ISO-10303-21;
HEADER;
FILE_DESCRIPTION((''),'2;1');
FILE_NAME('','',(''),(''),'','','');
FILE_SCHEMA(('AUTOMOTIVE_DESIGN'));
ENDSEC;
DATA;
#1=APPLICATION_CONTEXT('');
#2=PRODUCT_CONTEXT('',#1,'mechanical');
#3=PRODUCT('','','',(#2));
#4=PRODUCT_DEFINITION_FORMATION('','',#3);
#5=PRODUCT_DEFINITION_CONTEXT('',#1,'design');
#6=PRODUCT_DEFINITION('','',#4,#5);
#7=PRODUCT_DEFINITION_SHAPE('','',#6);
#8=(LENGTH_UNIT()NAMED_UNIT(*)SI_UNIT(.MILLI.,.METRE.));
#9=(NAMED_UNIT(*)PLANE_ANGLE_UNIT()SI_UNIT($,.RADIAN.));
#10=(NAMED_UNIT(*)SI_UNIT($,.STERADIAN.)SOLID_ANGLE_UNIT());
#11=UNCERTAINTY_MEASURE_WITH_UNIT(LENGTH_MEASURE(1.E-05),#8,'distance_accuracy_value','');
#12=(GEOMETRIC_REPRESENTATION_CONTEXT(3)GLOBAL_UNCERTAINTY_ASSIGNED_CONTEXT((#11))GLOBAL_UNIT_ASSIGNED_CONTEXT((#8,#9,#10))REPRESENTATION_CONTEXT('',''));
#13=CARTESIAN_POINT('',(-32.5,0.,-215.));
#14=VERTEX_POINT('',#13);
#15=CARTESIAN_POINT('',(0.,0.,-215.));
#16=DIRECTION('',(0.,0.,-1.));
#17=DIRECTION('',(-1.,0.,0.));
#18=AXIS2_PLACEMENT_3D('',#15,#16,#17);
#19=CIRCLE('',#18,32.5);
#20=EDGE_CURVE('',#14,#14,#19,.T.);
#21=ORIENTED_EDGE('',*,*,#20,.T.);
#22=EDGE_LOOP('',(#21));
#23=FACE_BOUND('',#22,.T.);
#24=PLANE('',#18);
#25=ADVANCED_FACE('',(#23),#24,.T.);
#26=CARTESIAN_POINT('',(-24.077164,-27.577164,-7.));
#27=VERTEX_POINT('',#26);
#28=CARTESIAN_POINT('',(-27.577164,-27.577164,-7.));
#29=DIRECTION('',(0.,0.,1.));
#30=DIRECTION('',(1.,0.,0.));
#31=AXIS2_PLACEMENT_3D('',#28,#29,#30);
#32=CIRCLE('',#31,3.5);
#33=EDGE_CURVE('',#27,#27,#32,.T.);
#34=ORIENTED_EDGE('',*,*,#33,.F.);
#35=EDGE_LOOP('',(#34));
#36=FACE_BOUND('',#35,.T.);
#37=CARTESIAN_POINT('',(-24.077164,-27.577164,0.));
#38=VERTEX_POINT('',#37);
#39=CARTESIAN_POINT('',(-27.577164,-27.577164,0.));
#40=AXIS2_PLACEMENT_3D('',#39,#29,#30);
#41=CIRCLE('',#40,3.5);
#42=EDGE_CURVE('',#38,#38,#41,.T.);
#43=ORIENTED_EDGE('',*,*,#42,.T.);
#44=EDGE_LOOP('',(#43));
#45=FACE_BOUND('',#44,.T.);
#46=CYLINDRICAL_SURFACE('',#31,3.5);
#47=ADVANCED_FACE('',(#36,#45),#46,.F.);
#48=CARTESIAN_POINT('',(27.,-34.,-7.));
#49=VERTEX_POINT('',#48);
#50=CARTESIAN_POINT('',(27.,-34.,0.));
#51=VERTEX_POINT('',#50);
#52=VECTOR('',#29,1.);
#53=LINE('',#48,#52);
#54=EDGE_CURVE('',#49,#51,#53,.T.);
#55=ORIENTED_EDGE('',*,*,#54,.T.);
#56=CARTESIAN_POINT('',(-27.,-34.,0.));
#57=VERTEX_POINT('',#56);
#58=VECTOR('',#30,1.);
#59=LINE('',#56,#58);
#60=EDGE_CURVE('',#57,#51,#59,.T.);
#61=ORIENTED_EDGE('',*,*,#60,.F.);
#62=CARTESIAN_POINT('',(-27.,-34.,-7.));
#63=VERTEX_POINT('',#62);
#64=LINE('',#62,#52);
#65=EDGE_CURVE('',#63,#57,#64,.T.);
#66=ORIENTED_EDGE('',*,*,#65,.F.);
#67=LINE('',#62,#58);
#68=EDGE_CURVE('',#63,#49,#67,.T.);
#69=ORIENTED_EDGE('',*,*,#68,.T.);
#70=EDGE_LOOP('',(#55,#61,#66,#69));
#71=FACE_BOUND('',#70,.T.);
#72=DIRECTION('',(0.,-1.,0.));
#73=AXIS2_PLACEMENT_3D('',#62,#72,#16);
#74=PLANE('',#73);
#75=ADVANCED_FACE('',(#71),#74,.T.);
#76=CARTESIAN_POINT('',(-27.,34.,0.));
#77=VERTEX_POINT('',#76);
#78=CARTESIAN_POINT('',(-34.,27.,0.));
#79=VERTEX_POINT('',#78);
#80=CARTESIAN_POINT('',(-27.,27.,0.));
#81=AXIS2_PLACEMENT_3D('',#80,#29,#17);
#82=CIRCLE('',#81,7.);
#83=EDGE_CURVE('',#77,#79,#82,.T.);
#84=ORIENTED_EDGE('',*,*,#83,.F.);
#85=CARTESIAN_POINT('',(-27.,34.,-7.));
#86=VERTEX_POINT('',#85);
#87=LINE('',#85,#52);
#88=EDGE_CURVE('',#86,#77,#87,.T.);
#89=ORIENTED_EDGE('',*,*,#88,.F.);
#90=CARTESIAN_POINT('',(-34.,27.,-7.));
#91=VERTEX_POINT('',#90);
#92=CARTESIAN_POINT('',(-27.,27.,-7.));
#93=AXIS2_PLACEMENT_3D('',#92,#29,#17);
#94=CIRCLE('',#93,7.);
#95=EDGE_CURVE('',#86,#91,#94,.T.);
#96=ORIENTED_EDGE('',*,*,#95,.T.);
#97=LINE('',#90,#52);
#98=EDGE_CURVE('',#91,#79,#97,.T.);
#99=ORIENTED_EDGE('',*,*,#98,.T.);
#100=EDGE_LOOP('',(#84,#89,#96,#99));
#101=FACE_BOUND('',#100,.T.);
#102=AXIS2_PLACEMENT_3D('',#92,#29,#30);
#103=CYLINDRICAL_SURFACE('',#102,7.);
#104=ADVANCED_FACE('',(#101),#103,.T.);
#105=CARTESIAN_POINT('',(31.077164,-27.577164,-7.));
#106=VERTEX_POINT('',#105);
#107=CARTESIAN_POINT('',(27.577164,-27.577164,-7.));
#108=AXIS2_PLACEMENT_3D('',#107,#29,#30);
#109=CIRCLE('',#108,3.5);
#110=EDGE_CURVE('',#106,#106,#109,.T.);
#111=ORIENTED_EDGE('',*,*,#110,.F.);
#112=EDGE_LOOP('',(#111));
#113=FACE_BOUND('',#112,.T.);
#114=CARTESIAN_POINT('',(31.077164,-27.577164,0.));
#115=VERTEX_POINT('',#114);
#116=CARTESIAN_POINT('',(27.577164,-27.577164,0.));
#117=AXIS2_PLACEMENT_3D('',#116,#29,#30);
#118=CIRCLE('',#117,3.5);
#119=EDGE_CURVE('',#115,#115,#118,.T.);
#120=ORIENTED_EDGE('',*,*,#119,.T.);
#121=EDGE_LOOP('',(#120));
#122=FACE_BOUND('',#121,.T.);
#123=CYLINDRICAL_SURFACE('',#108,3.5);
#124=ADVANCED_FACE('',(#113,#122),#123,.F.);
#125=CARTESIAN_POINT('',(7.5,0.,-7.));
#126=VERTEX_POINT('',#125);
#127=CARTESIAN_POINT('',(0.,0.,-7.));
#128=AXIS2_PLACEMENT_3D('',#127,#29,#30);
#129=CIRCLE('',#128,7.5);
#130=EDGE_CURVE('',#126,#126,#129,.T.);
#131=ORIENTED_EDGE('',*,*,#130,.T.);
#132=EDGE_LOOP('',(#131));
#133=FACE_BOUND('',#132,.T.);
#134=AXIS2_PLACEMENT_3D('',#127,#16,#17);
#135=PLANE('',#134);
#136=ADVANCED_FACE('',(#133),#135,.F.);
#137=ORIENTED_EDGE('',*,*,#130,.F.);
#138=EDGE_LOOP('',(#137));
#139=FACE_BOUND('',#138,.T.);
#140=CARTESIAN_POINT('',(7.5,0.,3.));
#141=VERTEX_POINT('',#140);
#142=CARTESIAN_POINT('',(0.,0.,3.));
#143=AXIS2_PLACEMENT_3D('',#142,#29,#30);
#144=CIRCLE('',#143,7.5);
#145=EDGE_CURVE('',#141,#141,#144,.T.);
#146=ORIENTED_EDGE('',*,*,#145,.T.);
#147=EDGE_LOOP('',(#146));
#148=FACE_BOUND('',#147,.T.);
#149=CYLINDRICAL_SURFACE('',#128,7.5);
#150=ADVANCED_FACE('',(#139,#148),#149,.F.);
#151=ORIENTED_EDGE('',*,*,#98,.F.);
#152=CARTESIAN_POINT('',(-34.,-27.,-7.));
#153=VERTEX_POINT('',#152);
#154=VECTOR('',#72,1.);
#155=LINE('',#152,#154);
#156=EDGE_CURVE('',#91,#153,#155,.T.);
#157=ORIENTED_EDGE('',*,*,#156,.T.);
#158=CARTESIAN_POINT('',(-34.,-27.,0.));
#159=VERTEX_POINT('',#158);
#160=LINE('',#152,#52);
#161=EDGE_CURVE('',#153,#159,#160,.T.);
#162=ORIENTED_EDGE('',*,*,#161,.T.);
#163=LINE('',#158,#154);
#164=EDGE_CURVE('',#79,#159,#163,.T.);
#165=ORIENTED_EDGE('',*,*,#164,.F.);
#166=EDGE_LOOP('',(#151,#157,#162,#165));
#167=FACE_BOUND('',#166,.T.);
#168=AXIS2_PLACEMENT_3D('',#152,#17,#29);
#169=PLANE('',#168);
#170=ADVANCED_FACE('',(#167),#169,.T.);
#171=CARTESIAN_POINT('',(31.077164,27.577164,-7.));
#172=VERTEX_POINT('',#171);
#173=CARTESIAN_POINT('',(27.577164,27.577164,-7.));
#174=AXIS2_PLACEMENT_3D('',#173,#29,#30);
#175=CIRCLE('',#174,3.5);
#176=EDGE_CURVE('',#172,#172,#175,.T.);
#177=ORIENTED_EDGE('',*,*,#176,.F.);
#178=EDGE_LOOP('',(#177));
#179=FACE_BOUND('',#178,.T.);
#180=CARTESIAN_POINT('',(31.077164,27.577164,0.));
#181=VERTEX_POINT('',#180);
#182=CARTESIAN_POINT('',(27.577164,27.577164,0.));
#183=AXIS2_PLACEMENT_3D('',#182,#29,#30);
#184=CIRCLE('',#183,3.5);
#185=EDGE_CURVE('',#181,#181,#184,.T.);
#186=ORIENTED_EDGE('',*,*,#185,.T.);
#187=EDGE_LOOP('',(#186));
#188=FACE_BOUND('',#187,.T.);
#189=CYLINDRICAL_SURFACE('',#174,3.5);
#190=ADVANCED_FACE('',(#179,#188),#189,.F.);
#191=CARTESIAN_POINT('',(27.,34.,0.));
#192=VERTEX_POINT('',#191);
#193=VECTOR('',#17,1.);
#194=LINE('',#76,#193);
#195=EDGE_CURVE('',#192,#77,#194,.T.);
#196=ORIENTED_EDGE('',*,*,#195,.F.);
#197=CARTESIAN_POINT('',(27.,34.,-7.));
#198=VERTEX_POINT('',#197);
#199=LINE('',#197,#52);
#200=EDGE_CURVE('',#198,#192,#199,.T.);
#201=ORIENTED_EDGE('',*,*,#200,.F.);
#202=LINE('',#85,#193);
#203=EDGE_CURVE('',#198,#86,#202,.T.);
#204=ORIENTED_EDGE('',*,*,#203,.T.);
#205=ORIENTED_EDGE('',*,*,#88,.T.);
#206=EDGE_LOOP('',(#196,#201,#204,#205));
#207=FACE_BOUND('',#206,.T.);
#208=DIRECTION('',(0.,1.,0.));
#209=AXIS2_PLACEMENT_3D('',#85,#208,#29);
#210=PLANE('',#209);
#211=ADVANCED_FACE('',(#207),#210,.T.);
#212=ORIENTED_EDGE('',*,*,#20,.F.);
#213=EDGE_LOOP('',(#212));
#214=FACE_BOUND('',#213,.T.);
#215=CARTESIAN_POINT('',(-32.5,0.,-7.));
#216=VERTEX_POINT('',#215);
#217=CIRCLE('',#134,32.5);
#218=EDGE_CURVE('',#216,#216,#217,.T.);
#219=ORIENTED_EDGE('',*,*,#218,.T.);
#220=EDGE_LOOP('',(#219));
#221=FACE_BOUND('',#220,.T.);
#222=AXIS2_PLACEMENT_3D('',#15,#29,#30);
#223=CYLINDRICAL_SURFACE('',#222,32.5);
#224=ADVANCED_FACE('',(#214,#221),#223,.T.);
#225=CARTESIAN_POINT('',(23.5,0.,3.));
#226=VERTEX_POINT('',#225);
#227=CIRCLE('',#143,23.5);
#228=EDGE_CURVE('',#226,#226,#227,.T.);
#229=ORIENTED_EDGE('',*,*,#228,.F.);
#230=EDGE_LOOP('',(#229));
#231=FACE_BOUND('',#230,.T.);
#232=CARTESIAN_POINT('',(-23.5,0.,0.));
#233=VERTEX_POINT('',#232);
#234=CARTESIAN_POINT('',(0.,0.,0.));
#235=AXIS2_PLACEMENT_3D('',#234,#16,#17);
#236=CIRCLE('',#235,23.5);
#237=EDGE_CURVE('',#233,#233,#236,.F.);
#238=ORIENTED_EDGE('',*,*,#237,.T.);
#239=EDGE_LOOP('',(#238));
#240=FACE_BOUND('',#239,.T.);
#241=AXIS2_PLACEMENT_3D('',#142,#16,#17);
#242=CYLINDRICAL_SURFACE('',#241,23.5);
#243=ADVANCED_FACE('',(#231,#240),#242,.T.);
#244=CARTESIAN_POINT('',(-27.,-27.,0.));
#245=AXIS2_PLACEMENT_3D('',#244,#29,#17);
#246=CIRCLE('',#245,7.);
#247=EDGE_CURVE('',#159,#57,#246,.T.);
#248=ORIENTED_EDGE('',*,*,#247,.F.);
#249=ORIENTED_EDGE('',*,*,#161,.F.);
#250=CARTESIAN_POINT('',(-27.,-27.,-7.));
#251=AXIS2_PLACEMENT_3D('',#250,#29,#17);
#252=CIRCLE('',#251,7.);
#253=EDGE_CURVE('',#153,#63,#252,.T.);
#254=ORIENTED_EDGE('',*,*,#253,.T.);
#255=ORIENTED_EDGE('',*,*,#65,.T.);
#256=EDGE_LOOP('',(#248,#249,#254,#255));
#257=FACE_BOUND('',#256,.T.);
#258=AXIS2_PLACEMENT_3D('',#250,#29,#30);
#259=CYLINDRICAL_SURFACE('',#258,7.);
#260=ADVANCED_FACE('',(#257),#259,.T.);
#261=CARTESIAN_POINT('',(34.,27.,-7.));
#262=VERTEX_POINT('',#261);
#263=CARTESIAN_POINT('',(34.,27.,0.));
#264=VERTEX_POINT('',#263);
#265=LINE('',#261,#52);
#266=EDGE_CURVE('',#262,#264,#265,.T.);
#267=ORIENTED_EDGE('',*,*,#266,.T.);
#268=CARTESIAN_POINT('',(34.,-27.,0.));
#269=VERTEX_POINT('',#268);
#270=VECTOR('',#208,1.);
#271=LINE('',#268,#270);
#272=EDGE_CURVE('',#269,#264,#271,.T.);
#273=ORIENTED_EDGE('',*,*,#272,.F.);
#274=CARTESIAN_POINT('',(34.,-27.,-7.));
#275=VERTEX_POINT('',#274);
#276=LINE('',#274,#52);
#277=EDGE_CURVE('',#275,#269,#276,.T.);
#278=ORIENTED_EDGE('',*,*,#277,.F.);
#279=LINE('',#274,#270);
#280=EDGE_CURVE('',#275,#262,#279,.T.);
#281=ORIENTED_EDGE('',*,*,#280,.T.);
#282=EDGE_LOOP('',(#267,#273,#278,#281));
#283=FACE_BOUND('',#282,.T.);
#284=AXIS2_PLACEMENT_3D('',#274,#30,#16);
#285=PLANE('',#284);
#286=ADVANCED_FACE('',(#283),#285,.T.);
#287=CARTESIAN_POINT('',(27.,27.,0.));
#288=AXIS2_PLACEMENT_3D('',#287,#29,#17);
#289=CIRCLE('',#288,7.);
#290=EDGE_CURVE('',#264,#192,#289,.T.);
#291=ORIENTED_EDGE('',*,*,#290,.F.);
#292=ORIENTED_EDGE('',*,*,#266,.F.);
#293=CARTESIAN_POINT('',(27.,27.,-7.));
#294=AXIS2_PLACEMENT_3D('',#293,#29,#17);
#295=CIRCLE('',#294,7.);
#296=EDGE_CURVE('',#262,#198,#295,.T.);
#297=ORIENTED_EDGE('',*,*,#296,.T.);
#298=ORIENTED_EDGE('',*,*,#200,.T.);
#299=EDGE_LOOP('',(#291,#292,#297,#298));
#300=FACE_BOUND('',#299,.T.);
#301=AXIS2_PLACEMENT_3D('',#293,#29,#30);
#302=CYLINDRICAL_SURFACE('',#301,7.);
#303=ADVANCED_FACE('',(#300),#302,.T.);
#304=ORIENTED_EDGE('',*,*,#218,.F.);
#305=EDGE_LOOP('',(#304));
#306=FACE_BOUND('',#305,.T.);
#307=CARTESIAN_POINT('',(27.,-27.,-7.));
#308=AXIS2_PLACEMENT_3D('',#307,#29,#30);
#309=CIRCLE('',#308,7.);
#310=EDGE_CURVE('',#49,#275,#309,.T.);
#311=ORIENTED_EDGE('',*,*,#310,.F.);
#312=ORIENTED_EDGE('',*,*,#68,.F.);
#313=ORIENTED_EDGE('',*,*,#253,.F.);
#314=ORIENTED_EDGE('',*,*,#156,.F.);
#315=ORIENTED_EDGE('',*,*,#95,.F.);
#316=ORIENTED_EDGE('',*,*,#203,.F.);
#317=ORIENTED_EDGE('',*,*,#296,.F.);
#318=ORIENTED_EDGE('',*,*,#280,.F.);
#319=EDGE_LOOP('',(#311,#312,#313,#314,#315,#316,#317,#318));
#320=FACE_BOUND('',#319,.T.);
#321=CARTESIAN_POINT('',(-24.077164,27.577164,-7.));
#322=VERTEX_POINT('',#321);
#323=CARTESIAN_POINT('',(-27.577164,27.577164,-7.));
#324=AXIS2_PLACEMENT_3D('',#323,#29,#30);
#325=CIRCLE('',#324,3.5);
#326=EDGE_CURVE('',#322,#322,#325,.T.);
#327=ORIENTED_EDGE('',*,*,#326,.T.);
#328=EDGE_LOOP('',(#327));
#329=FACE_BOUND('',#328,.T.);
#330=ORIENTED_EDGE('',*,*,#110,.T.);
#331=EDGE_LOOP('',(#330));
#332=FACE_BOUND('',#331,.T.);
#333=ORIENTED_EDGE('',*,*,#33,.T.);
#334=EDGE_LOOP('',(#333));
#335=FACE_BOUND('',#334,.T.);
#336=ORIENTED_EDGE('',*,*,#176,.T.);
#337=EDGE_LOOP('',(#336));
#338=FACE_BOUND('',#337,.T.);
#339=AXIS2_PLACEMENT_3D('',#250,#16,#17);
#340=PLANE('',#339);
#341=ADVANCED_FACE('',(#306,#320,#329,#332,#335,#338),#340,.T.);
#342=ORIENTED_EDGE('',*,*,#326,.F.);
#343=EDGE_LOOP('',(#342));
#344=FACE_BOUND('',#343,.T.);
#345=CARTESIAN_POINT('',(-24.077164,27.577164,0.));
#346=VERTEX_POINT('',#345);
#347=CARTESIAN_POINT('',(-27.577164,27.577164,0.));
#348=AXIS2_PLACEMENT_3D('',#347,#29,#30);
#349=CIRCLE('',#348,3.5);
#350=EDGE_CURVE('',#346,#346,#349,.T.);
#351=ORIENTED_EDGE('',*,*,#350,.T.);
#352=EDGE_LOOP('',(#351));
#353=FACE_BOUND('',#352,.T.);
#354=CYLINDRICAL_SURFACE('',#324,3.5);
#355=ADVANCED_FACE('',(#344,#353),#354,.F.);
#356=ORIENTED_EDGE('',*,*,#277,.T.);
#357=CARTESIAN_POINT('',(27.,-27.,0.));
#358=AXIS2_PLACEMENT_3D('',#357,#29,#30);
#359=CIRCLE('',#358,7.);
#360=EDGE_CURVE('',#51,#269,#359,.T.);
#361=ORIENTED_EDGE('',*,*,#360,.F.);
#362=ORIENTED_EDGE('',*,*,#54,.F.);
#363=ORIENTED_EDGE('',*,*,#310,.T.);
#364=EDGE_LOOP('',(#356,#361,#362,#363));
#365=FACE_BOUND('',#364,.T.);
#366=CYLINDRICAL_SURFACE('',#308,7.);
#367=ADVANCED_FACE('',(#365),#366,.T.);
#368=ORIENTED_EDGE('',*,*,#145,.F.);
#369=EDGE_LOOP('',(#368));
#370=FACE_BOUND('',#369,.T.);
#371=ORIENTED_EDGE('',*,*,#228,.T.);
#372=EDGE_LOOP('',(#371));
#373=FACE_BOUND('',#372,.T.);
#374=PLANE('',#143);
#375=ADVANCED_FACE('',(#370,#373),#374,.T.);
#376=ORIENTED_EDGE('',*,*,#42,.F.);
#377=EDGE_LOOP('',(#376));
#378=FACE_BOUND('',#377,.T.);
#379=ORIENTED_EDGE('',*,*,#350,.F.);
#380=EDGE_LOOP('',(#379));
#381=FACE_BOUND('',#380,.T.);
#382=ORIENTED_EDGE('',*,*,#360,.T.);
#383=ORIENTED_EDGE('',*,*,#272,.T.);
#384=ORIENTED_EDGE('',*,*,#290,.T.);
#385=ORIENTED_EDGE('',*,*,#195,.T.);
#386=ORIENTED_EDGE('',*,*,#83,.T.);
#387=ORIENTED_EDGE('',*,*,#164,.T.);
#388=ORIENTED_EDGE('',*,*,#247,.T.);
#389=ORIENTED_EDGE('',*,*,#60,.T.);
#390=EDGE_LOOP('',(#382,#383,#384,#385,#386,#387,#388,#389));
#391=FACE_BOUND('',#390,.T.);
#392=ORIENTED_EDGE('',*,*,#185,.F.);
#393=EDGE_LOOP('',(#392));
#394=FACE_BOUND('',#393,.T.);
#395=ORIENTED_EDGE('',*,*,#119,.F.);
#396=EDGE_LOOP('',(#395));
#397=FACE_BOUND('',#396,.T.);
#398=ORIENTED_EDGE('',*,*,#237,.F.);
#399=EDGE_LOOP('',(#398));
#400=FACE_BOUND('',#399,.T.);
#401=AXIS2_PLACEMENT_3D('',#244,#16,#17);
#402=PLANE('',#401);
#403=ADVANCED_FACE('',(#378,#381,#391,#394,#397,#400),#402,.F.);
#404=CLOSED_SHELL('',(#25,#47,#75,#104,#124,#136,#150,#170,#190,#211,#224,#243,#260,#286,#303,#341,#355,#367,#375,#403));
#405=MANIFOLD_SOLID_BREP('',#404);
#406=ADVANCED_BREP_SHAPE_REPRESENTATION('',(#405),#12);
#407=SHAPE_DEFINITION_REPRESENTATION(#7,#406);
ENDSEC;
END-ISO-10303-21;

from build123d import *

# Parameters (mm, degrees)
SKETCH1_R           = 7.5
SKETCH1_R_2         = 3.5
BOSS_EXTRUDE1_DEPTH = 7
SKETCH2_R           = 32.5
BOSS_EXTRUDE2_DEPTH = 208
BOSS_EXTRUDE3_START = 3
SKETCH3_R           = 23.5
SKETCH3_R_2         = 7.5
BOSS_EXTRUDE3_DEPTH = 3


with BuildPart() as part:
    # Sketch1 → Boss-Extrude1 (new body)
    with BuildSketch(Plane.XY):
        with BuildLine():
            Line((-27, -34), (27, -34))
            ThreePointArc((27, -34), (31.949747468, -31.949747468), (34, -27))
            Line((34, -27), (34, 27))
            ThreePointArc((34, 27), (31.949747468, 31.949747468), (27, 34))
            Line((27, 34), (-27, 34))
            ThreePointArc((-27, 34), (-31.949747468, 31.949747468), (-34, 27))
            Line((-34, 27), (-34, -27))
            ThreePointArc((-34, -27), (-31.949747468, -31.949747468), (-27, -34))
        make_face()
        Circle(SKETCH1_R, mode=Mode.SUBTRACT)
        with Locations((27.577164466, 27.577164466)):
            Circle(SKETCH1_R_2, mode=Mode.SUBTRACT)
        with Locations((-27.577164466, 27.577164466)):
            Circle(SKETCH1_R_2, mode=Mode.SUBTRACT)
        with Locations((-27.577164466, -27.577164466)):
            Circle(SKETCH1_R_2, mode=Mode.SUBTRACT)
        with Locations((27.577164466, -27.577164466)):
            Circle(SKETCH1_R_2, mode=Mode.SUBTRACT)
    extrude(amount=-BOSS_EXTRUDE1_DEPTH)

    # Sketch2 → Boss-Extrude2 (add)
    with BuildSketch(Plane(origin=(0, 0, -7), x_dir=(-1, 0, 0), z_dir=(0, 0, -1))):
        with Locations(Location((0, 0, 0), (0, 0, 180))):
            Circle(SKETCH2_R)
    extrude(amount=BOSS_EXTRUDE2_DEPTH)

    # Sketch3 → Boss-Extrude3 (add)
    with BuildSketch(Plane.XY.offset(BOSS_EXTRUDE3_START)):
        with Locations(Location((0, 0, 0), (0, 0, 180))):
            Circle(SKETCH3_R)
        Circle(SKETCH3_R_2, mode=Mode.SUBTRACT)
    extrude(amount=-BOSS_EXTRUDE3_DEPTH)


solid = part.part
